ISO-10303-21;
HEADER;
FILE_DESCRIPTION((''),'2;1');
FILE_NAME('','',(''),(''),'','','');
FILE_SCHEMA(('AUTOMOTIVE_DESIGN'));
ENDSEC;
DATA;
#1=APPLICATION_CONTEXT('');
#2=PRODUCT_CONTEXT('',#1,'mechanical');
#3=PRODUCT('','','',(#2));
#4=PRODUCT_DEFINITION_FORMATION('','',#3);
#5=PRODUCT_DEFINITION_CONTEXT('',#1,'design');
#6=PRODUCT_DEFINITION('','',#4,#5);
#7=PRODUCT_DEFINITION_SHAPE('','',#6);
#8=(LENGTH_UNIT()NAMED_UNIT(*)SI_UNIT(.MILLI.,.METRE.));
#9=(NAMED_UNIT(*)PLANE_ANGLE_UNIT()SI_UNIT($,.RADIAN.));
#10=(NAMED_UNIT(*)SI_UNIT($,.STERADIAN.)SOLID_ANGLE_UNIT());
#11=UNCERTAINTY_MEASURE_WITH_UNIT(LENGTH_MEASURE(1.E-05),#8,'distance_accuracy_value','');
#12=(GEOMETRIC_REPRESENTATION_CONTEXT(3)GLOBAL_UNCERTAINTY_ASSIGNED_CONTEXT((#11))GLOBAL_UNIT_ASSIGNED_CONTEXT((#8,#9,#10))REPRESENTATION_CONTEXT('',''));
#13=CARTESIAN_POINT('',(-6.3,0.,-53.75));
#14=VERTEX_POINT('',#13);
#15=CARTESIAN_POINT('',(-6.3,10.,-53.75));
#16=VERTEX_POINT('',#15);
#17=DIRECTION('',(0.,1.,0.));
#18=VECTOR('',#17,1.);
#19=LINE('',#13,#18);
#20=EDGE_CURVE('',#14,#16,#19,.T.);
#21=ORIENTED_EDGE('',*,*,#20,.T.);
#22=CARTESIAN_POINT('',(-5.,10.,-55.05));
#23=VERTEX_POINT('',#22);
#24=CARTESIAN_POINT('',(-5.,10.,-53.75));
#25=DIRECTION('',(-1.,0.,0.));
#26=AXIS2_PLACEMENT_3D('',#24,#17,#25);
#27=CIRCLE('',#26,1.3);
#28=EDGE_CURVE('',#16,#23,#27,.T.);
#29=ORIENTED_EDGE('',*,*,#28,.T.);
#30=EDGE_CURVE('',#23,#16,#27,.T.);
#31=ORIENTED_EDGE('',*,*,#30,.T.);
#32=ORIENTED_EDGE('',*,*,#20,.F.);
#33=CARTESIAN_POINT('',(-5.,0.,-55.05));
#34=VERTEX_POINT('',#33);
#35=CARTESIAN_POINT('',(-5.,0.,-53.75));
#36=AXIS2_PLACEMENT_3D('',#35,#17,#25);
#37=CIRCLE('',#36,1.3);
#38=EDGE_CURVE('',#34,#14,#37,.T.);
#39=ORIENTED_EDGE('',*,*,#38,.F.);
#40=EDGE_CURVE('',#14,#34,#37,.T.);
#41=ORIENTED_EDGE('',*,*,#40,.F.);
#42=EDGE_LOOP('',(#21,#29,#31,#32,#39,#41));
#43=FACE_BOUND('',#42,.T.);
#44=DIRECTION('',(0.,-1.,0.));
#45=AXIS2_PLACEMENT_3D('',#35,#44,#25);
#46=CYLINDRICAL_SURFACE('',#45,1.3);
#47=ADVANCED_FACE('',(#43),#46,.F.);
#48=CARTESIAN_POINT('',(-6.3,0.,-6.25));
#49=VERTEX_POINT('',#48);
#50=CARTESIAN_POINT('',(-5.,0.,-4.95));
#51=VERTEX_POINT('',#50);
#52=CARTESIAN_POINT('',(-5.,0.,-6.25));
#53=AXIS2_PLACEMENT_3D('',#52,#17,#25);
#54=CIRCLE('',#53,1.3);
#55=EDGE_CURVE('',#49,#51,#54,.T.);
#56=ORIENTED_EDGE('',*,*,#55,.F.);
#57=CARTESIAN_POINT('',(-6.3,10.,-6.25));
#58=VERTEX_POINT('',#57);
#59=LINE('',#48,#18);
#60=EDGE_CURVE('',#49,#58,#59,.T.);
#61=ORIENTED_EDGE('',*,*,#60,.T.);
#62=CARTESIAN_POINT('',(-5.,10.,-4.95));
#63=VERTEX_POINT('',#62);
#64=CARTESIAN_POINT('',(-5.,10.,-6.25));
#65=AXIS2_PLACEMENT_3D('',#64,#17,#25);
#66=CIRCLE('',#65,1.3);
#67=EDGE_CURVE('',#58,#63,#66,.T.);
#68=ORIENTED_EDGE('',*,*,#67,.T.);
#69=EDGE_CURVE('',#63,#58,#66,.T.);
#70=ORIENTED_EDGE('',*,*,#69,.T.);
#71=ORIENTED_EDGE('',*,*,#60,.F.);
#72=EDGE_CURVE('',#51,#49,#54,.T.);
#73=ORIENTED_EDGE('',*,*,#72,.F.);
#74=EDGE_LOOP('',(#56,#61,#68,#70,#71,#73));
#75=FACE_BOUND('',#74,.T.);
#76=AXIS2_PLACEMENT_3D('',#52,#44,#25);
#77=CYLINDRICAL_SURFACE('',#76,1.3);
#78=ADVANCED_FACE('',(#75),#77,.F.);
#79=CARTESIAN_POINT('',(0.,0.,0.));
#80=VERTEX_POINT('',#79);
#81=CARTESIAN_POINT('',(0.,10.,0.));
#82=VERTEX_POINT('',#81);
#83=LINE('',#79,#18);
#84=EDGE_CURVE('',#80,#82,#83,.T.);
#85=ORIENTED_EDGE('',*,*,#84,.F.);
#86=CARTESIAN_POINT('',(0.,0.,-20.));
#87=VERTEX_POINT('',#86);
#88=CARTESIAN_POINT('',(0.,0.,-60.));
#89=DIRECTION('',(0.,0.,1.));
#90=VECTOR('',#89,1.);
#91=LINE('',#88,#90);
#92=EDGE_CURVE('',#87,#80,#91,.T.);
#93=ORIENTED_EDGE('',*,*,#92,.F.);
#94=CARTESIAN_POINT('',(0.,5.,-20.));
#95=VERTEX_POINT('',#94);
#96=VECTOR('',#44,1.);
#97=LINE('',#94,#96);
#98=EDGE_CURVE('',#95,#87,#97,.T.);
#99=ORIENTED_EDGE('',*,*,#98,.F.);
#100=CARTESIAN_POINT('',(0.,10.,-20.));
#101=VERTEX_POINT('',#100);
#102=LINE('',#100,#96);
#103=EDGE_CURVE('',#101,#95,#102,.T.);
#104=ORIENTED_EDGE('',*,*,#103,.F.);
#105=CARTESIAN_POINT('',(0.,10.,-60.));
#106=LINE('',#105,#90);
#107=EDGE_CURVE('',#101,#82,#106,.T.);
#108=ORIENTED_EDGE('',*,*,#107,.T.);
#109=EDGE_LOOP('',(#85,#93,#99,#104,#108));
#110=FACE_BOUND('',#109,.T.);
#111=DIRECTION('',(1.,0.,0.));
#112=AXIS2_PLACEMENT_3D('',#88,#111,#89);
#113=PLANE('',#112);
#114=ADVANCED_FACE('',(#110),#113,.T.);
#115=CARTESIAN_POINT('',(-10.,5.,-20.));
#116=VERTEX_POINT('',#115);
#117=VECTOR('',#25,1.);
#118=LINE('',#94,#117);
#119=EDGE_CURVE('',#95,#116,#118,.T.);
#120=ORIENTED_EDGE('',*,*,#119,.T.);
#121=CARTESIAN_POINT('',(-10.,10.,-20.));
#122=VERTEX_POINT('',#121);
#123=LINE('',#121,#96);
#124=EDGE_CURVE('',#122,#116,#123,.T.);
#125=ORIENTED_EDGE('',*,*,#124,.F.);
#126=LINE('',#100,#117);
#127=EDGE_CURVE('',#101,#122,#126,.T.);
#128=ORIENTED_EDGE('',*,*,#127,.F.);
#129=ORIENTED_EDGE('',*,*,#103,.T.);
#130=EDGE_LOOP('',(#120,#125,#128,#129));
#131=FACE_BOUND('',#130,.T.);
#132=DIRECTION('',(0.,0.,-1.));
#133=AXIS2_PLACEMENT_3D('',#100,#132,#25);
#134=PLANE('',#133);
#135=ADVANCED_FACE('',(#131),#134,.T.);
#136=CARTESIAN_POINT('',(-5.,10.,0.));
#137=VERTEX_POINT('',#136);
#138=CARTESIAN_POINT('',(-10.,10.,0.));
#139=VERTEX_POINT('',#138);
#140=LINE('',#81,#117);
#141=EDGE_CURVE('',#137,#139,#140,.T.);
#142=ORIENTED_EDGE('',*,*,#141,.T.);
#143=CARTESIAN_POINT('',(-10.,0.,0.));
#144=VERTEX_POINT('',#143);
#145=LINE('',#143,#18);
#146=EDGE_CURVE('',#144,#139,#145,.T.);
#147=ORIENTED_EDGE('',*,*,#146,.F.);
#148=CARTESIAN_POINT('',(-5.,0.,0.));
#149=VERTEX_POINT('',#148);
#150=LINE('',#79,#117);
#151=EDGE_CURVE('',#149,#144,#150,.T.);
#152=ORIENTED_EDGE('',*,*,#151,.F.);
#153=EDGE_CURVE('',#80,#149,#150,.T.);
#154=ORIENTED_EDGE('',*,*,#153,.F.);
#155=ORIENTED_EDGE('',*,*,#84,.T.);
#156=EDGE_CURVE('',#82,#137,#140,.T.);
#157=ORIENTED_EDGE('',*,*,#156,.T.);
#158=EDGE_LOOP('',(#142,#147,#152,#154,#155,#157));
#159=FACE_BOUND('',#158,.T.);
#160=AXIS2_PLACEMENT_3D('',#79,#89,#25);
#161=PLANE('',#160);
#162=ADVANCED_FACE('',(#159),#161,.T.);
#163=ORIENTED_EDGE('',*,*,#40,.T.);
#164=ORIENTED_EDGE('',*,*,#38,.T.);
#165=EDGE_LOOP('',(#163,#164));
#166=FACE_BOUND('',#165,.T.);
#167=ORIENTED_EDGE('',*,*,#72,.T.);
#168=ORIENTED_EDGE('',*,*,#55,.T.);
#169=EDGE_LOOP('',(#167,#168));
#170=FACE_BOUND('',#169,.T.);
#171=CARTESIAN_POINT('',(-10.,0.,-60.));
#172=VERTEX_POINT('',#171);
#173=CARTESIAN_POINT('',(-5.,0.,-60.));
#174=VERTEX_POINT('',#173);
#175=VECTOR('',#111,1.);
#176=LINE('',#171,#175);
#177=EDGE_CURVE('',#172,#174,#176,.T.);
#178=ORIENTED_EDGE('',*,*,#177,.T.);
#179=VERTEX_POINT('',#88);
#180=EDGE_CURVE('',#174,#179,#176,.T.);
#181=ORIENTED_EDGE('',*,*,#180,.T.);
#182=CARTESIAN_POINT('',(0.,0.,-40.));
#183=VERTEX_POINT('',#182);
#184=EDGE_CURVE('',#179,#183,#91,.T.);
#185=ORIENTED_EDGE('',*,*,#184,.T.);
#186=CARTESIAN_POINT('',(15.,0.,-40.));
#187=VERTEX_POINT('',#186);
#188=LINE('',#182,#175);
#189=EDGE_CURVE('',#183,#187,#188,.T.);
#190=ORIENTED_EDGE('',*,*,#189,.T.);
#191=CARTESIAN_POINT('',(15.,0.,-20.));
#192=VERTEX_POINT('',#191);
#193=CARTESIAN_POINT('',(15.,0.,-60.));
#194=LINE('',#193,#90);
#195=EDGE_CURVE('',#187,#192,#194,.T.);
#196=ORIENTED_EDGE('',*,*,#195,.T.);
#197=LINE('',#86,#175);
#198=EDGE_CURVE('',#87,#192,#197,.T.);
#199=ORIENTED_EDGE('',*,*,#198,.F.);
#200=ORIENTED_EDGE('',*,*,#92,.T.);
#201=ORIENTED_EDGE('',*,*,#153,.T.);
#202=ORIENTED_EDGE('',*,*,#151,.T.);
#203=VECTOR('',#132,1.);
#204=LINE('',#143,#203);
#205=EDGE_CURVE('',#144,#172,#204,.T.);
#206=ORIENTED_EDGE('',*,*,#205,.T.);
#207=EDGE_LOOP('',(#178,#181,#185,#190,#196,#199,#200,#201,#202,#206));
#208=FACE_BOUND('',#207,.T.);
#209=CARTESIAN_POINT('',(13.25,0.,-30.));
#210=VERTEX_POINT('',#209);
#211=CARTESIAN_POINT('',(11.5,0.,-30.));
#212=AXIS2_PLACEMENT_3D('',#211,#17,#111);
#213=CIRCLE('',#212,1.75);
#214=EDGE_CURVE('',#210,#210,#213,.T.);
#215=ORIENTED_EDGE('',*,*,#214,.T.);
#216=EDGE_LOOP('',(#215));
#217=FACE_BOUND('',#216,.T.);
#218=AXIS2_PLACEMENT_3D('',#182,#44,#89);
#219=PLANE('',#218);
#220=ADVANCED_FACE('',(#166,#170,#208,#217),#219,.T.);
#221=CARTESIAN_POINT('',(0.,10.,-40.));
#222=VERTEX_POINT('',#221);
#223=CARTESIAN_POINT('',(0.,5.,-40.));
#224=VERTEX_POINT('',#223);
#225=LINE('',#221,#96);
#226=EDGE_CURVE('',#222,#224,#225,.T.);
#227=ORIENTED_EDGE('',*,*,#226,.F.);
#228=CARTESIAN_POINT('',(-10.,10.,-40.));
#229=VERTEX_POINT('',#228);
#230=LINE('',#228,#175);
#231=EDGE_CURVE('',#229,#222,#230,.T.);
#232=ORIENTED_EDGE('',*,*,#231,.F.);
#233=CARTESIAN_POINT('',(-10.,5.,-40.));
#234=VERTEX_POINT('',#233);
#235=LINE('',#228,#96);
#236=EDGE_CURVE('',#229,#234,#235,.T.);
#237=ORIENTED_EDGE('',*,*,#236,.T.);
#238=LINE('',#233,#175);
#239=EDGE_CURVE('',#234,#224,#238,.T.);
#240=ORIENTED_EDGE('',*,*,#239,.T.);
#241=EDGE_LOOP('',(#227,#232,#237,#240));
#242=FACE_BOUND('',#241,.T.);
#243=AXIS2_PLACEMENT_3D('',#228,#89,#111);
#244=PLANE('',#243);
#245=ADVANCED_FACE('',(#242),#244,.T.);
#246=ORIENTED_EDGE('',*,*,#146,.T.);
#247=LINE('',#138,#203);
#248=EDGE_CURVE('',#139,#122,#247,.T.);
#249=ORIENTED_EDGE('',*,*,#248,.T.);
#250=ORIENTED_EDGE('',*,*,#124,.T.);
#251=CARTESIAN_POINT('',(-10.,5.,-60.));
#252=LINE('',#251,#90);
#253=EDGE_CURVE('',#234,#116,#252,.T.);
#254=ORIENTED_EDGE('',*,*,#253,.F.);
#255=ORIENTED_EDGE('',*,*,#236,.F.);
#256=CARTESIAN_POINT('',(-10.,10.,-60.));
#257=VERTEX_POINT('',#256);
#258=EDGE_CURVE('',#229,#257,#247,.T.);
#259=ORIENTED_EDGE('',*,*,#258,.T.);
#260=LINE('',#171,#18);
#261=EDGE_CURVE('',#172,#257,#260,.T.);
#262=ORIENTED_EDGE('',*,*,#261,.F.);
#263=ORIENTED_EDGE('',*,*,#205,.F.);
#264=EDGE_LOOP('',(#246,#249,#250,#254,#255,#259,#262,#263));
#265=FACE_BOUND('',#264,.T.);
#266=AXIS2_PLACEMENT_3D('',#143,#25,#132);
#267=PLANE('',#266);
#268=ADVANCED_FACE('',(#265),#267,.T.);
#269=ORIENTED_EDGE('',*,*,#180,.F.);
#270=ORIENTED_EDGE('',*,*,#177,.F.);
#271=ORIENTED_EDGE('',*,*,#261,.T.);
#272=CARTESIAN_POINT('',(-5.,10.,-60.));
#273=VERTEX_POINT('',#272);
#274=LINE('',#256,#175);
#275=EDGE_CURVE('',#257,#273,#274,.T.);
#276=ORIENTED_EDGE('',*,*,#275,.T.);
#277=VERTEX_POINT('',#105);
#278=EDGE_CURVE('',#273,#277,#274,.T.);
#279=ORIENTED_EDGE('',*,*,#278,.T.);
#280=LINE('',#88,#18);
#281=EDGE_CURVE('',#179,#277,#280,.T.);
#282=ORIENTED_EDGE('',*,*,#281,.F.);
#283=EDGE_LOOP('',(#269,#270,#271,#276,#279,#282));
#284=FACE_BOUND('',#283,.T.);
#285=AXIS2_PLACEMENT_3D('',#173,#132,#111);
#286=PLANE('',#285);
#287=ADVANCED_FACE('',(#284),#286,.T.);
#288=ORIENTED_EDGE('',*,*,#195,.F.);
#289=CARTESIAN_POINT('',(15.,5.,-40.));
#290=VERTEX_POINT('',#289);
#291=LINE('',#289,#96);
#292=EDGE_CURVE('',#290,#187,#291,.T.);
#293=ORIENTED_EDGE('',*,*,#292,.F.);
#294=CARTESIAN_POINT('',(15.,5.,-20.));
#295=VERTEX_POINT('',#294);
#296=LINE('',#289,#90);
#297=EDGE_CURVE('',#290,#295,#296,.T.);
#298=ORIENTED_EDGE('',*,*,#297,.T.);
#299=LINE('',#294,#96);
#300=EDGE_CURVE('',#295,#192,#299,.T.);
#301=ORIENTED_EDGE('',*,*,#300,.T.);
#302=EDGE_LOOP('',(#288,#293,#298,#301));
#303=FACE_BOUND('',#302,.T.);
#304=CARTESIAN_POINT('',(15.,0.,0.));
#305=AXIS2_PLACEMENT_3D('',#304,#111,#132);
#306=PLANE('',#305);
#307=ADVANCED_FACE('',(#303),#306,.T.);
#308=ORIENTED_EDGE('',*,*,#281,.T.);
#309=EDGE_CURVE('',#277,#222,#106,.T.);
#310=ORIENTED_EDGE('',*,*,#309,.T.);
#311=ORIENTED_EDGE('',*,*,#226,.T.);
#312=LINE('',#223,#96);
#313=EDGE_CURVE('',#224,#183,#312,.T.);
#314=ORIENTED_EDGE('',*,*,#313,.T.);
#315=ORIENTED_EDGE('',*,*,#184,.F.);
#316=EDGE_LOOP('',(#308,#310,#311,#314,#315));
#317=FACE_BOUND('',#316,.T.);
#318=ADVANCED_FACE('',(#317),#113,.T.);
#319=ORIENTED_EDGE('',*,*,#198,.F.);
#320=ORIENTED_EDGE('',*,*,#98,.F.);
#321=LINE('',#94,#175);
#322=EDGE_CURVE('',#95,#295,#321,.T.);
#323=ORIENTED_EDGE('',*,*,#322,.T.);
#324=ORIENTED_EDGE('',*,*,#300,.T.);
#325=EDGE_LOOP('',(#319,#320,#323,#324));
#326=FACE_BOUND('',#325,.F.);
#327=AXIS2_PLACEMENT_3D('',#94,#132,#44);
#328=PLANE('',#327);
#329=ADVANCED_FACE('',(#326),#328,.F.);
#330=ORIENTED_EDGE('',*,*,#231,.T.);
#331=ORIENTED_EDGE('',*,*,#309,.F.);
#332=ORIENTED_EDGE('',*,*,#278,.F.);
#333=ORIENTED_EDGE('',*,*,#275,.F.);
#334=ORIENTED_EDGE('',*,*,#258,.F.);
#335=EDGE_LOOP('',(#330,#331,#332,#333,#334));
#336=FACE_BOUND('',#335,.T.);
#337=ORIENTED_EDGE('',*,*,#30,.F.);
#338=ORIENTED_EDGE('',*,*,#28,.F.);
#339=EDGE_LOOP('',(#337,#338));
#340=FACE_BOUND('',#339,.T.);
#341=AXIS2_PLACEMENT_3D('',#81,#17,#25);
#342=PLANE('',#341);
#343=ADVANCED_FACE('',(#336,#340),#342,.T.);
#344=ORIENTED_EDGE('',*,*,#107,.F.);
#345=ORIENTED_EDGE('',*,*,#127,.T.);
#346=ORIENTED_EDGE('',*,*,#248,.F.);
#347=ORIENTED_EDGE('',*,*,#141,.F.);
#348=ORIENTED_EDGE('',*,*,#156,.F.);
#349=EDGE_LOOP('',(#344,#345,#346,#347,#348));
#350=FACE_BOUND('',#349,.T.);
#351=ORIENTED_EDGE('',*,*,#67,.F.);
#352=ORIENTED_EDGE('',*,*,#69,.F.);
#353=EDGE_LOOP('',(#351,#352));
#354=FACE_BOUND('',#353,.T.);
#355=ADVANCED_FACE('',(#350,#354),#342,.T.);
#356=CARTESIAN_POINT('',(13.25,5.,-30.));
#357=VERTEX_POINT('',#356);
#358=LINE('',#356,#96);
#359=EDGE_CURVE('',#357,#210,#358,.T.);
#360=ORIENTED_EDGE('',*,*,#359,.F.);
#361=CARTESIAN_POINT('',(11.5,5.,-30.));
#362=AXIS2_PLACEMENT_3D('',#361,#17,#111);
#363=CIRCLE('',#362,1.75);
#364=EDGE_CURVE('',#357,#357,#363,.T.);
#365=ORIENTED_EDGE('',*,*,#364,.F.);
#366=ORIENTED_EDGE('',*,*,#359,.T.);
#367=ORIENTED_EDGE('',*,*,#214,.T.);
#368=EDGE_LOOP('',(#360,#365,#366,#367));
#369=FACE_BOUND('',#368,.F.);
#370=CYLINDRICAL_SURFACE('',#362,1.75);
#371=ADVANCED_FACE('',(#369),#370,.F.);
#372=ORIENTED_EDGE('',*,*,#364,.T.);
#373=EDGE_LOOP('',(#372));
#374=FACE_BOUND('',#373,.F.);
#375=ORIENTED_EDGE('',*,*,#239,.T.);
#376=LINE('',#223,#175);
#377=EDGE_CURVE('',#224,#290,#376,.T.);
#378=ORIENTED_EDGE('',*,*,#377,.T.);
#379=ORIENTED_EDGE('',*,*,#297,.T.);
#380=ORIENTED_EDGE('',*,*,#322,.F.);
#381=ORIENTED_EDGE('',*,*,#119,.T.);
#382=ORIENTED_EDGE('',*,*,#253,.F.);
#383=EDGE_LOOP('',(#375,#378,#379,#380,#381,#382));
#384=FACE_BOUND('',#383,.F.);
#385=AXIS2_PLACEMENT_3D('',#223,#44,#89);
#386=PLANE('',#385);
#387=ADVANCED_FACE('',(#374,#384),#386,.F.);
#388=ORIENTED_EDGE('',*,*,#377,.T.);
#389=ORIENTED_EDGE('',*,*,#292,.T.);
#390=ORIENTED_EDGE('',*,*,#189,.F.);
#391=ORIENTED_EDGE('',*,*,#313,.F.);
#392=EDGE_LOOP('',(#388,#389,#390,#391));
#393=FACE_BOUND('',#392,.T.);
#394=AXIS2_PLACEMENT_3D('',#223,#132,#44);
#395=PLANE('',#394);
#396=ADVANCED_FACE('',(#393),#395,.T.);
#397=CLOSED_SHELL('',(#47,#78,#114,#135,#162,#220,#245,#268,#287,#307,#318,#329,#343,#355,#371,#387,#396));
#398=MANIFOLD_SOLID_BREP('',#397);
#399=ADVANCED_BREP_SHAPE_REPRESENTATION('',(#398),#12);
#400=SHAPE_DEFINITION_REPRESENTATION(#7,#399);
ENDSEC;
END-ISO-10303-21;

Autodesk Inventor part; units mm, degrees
ref_plane "YZ Plane" through (0, 0, 0) normal (1, 0, 0) x (0, 1, 0)
ref_plane "XZ Plane" through (0, 0, 0) normal (0, 1, 0) x (-1, 0, 0)
ref_plane "XY Plane" through (0, 0, 0) normal (0, 0, 1) x (1, 0, 0)
sketch "Sketch1" plane through (0, 0, 0) normal (0, 1, 0) x (-1, 0, 0)
  line L0 (0, 0) -> (10, 0)
  line L1 (10, 0) -> (10, -60)
  line L2 (10, -60) -> (0, -60)
  line L3 (0, -60) -> (0, 0)
  line L4 (5, 0) -> (5, -6.25)
  circle A0 centre (5, -6.25) radius 1.3
  line L5 (5, -60) -> (5, -53.75)
  circle A1 centre (5, -53.75) radius 1.3
  dimension "d0" = 10
  dimension "d1" = 60
  dimension "d2" = 6.25
  dimension "d3" = 2.6
  dimension "d4" = 6.25
  dimension "d5" = 2.6
extrude "Extrusion1" add sketch "Sketch1" along normal blind 10
sketch "Sketch4" plane through (0, 10, 0) normal (0, 1, 0) x (1, 0, 0)
  line L0 (0, 0) -> (0, 60) projected
  line L1 (0, 0) -> (0, 10)
  line L2 (0, 60) -> (0, 40)
  line L3 (-10, 60) -> (-10, 0) projected
  line L4 (-10, 10) -> (-10, 50)
  line L5 (0, 50) -> (0, 10)
  line L6 (-10, 0) -> (0, 0) projected
  line L7 (0, 0) -> (0, 20)
  line L8 (0, 20) -> (-10, 20)
  line L9 (-10, 60) -> (-10, 40)
  line L10 (-10, 60) -> (10, 60) construction
  line L11 (-10, 40) -> (0, 40)
  dimension "d19" = 20
  dimension "d20" = 20
  dimension "d21" = 90
extrude "Extrusion3" cut sketch "Sketch4" against normal blind 5 contours L8 L3 L11 L0
sketch "Sketch8" plane through (0, 0, 0) normal (1, 0, 0) x (0, 0, -1)
  line L0 (40, 5) -> (20, 5) projected
  line L1 (20, 5) -> (20, 0)
  line L2 (40, 5) -> (40, 0)
  line L3 (60, 0) -> (0, 0) projected
extrude "Extrusion5" add sketch "Sketch8" along normal blind 15
sketch "Sketch9" plane through (0, 5, 0) normal (0, 1, 0) x (1, 0, 0)
  line L0 (15, 40) -> (15, 20) projected
  line L1 (15, 30) -> (11.5, 30)
  circle A0 centre (11.5, 30) radius 1.75
  point P0 (0, 0)
  dimension "d24" = 3.5
  dimension "d25" = 3.5
extrude "Extrusion6" cut sketch "Sketch9" against normal blind 5
properties part number "clawstack"
